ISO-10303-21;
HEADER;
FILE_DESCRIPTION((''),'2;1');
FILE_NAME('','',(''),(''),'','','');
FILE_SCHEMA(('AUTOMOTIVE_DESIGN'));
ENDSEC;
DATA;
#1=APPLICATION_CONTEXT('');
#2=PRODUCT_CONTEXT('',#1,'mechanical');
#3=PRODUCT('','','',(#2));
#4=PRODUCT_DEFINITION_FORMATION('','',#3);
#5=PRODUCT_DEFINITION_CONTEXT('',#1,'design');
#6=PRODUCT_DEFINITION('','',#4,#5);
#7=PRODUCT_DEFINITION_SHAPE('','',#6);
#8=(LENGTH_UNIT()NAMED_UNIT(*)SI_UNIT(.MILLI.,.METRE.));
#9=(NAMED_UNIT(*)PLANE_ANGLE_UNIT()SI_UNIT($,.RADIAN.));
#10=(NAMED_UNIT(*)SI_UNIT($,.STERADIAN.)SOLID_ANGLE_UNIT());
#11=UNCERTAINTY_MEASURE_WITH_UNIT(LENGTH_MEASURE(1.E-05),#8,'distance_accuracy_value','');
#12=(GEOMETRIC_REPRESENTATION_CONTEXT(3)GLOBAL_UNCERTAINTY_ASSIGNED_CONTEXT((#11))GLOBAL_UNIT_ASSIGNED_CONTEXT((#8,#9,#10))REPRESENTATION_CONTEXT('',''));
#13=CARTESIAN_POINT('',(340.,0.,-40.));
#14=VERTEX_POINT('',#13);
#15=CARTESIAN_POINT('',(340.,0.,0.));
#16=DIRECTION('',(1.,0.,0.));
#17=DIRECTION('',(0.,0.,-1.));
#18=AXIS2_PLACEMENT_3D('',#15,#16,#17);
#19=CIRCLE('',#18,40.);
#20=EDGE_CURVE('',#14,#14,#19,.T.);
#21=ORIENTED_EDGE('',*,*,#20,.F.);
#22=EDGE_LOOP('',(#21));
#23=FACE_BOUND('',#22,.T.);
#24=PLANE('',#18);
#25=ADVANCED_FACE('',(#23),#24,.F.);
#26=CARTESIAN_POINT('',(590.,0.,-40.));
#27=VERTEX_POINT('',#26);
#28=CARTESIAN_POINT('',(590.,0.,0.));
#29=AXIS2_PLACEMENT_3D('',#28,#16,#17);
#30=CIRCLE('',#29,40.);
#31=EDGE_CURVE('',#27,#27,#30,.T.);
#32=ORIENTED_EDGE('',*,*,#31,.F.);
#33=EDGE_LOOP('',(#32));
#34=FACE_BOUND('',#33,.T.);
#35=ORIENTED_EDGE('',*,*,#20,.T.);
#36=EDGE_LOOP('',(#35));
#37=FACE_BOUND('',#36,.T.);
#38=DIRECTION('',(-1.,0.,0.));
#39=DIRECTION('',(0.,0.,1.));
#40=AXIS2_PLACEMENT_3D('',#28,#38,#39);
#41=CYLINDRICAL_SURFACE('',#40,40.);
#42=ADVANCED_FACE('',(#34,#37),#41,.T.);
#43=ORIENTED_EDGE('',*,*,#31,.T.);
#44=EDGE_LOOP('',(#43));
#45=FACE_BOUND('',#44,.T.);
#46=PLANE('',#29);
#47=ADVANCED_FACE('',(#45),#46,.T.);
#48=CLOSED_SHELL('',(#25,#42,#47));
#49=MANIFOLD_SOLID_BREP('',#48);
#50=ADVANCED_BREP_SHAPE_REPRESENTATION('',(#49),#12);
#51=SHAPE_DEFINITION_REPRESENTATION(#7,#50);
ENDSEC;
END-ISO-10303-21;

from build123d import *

# Parameters (mm, degrees)
SKETCH28_R = 40
SKETCH30_R = 40


with BuildPart() as part:
    # Sketch28 → Loft2 section 0
    with BuildSketch(Plane(origin=(590, 0, 0), x_dir=(0, 0, -1), z_dir=(1, 0, 0))):
        Circle(SKETCH28_R)
    # Sketch30 → Loft2 section 1
    with BuildSketch(Plane(origin=(340, 0, 0), x_dir=(0, 0, -1), z_dir=(1, 0, 0))):
        Circle(SKETCH30_R)
    loft()


solid = part.part
